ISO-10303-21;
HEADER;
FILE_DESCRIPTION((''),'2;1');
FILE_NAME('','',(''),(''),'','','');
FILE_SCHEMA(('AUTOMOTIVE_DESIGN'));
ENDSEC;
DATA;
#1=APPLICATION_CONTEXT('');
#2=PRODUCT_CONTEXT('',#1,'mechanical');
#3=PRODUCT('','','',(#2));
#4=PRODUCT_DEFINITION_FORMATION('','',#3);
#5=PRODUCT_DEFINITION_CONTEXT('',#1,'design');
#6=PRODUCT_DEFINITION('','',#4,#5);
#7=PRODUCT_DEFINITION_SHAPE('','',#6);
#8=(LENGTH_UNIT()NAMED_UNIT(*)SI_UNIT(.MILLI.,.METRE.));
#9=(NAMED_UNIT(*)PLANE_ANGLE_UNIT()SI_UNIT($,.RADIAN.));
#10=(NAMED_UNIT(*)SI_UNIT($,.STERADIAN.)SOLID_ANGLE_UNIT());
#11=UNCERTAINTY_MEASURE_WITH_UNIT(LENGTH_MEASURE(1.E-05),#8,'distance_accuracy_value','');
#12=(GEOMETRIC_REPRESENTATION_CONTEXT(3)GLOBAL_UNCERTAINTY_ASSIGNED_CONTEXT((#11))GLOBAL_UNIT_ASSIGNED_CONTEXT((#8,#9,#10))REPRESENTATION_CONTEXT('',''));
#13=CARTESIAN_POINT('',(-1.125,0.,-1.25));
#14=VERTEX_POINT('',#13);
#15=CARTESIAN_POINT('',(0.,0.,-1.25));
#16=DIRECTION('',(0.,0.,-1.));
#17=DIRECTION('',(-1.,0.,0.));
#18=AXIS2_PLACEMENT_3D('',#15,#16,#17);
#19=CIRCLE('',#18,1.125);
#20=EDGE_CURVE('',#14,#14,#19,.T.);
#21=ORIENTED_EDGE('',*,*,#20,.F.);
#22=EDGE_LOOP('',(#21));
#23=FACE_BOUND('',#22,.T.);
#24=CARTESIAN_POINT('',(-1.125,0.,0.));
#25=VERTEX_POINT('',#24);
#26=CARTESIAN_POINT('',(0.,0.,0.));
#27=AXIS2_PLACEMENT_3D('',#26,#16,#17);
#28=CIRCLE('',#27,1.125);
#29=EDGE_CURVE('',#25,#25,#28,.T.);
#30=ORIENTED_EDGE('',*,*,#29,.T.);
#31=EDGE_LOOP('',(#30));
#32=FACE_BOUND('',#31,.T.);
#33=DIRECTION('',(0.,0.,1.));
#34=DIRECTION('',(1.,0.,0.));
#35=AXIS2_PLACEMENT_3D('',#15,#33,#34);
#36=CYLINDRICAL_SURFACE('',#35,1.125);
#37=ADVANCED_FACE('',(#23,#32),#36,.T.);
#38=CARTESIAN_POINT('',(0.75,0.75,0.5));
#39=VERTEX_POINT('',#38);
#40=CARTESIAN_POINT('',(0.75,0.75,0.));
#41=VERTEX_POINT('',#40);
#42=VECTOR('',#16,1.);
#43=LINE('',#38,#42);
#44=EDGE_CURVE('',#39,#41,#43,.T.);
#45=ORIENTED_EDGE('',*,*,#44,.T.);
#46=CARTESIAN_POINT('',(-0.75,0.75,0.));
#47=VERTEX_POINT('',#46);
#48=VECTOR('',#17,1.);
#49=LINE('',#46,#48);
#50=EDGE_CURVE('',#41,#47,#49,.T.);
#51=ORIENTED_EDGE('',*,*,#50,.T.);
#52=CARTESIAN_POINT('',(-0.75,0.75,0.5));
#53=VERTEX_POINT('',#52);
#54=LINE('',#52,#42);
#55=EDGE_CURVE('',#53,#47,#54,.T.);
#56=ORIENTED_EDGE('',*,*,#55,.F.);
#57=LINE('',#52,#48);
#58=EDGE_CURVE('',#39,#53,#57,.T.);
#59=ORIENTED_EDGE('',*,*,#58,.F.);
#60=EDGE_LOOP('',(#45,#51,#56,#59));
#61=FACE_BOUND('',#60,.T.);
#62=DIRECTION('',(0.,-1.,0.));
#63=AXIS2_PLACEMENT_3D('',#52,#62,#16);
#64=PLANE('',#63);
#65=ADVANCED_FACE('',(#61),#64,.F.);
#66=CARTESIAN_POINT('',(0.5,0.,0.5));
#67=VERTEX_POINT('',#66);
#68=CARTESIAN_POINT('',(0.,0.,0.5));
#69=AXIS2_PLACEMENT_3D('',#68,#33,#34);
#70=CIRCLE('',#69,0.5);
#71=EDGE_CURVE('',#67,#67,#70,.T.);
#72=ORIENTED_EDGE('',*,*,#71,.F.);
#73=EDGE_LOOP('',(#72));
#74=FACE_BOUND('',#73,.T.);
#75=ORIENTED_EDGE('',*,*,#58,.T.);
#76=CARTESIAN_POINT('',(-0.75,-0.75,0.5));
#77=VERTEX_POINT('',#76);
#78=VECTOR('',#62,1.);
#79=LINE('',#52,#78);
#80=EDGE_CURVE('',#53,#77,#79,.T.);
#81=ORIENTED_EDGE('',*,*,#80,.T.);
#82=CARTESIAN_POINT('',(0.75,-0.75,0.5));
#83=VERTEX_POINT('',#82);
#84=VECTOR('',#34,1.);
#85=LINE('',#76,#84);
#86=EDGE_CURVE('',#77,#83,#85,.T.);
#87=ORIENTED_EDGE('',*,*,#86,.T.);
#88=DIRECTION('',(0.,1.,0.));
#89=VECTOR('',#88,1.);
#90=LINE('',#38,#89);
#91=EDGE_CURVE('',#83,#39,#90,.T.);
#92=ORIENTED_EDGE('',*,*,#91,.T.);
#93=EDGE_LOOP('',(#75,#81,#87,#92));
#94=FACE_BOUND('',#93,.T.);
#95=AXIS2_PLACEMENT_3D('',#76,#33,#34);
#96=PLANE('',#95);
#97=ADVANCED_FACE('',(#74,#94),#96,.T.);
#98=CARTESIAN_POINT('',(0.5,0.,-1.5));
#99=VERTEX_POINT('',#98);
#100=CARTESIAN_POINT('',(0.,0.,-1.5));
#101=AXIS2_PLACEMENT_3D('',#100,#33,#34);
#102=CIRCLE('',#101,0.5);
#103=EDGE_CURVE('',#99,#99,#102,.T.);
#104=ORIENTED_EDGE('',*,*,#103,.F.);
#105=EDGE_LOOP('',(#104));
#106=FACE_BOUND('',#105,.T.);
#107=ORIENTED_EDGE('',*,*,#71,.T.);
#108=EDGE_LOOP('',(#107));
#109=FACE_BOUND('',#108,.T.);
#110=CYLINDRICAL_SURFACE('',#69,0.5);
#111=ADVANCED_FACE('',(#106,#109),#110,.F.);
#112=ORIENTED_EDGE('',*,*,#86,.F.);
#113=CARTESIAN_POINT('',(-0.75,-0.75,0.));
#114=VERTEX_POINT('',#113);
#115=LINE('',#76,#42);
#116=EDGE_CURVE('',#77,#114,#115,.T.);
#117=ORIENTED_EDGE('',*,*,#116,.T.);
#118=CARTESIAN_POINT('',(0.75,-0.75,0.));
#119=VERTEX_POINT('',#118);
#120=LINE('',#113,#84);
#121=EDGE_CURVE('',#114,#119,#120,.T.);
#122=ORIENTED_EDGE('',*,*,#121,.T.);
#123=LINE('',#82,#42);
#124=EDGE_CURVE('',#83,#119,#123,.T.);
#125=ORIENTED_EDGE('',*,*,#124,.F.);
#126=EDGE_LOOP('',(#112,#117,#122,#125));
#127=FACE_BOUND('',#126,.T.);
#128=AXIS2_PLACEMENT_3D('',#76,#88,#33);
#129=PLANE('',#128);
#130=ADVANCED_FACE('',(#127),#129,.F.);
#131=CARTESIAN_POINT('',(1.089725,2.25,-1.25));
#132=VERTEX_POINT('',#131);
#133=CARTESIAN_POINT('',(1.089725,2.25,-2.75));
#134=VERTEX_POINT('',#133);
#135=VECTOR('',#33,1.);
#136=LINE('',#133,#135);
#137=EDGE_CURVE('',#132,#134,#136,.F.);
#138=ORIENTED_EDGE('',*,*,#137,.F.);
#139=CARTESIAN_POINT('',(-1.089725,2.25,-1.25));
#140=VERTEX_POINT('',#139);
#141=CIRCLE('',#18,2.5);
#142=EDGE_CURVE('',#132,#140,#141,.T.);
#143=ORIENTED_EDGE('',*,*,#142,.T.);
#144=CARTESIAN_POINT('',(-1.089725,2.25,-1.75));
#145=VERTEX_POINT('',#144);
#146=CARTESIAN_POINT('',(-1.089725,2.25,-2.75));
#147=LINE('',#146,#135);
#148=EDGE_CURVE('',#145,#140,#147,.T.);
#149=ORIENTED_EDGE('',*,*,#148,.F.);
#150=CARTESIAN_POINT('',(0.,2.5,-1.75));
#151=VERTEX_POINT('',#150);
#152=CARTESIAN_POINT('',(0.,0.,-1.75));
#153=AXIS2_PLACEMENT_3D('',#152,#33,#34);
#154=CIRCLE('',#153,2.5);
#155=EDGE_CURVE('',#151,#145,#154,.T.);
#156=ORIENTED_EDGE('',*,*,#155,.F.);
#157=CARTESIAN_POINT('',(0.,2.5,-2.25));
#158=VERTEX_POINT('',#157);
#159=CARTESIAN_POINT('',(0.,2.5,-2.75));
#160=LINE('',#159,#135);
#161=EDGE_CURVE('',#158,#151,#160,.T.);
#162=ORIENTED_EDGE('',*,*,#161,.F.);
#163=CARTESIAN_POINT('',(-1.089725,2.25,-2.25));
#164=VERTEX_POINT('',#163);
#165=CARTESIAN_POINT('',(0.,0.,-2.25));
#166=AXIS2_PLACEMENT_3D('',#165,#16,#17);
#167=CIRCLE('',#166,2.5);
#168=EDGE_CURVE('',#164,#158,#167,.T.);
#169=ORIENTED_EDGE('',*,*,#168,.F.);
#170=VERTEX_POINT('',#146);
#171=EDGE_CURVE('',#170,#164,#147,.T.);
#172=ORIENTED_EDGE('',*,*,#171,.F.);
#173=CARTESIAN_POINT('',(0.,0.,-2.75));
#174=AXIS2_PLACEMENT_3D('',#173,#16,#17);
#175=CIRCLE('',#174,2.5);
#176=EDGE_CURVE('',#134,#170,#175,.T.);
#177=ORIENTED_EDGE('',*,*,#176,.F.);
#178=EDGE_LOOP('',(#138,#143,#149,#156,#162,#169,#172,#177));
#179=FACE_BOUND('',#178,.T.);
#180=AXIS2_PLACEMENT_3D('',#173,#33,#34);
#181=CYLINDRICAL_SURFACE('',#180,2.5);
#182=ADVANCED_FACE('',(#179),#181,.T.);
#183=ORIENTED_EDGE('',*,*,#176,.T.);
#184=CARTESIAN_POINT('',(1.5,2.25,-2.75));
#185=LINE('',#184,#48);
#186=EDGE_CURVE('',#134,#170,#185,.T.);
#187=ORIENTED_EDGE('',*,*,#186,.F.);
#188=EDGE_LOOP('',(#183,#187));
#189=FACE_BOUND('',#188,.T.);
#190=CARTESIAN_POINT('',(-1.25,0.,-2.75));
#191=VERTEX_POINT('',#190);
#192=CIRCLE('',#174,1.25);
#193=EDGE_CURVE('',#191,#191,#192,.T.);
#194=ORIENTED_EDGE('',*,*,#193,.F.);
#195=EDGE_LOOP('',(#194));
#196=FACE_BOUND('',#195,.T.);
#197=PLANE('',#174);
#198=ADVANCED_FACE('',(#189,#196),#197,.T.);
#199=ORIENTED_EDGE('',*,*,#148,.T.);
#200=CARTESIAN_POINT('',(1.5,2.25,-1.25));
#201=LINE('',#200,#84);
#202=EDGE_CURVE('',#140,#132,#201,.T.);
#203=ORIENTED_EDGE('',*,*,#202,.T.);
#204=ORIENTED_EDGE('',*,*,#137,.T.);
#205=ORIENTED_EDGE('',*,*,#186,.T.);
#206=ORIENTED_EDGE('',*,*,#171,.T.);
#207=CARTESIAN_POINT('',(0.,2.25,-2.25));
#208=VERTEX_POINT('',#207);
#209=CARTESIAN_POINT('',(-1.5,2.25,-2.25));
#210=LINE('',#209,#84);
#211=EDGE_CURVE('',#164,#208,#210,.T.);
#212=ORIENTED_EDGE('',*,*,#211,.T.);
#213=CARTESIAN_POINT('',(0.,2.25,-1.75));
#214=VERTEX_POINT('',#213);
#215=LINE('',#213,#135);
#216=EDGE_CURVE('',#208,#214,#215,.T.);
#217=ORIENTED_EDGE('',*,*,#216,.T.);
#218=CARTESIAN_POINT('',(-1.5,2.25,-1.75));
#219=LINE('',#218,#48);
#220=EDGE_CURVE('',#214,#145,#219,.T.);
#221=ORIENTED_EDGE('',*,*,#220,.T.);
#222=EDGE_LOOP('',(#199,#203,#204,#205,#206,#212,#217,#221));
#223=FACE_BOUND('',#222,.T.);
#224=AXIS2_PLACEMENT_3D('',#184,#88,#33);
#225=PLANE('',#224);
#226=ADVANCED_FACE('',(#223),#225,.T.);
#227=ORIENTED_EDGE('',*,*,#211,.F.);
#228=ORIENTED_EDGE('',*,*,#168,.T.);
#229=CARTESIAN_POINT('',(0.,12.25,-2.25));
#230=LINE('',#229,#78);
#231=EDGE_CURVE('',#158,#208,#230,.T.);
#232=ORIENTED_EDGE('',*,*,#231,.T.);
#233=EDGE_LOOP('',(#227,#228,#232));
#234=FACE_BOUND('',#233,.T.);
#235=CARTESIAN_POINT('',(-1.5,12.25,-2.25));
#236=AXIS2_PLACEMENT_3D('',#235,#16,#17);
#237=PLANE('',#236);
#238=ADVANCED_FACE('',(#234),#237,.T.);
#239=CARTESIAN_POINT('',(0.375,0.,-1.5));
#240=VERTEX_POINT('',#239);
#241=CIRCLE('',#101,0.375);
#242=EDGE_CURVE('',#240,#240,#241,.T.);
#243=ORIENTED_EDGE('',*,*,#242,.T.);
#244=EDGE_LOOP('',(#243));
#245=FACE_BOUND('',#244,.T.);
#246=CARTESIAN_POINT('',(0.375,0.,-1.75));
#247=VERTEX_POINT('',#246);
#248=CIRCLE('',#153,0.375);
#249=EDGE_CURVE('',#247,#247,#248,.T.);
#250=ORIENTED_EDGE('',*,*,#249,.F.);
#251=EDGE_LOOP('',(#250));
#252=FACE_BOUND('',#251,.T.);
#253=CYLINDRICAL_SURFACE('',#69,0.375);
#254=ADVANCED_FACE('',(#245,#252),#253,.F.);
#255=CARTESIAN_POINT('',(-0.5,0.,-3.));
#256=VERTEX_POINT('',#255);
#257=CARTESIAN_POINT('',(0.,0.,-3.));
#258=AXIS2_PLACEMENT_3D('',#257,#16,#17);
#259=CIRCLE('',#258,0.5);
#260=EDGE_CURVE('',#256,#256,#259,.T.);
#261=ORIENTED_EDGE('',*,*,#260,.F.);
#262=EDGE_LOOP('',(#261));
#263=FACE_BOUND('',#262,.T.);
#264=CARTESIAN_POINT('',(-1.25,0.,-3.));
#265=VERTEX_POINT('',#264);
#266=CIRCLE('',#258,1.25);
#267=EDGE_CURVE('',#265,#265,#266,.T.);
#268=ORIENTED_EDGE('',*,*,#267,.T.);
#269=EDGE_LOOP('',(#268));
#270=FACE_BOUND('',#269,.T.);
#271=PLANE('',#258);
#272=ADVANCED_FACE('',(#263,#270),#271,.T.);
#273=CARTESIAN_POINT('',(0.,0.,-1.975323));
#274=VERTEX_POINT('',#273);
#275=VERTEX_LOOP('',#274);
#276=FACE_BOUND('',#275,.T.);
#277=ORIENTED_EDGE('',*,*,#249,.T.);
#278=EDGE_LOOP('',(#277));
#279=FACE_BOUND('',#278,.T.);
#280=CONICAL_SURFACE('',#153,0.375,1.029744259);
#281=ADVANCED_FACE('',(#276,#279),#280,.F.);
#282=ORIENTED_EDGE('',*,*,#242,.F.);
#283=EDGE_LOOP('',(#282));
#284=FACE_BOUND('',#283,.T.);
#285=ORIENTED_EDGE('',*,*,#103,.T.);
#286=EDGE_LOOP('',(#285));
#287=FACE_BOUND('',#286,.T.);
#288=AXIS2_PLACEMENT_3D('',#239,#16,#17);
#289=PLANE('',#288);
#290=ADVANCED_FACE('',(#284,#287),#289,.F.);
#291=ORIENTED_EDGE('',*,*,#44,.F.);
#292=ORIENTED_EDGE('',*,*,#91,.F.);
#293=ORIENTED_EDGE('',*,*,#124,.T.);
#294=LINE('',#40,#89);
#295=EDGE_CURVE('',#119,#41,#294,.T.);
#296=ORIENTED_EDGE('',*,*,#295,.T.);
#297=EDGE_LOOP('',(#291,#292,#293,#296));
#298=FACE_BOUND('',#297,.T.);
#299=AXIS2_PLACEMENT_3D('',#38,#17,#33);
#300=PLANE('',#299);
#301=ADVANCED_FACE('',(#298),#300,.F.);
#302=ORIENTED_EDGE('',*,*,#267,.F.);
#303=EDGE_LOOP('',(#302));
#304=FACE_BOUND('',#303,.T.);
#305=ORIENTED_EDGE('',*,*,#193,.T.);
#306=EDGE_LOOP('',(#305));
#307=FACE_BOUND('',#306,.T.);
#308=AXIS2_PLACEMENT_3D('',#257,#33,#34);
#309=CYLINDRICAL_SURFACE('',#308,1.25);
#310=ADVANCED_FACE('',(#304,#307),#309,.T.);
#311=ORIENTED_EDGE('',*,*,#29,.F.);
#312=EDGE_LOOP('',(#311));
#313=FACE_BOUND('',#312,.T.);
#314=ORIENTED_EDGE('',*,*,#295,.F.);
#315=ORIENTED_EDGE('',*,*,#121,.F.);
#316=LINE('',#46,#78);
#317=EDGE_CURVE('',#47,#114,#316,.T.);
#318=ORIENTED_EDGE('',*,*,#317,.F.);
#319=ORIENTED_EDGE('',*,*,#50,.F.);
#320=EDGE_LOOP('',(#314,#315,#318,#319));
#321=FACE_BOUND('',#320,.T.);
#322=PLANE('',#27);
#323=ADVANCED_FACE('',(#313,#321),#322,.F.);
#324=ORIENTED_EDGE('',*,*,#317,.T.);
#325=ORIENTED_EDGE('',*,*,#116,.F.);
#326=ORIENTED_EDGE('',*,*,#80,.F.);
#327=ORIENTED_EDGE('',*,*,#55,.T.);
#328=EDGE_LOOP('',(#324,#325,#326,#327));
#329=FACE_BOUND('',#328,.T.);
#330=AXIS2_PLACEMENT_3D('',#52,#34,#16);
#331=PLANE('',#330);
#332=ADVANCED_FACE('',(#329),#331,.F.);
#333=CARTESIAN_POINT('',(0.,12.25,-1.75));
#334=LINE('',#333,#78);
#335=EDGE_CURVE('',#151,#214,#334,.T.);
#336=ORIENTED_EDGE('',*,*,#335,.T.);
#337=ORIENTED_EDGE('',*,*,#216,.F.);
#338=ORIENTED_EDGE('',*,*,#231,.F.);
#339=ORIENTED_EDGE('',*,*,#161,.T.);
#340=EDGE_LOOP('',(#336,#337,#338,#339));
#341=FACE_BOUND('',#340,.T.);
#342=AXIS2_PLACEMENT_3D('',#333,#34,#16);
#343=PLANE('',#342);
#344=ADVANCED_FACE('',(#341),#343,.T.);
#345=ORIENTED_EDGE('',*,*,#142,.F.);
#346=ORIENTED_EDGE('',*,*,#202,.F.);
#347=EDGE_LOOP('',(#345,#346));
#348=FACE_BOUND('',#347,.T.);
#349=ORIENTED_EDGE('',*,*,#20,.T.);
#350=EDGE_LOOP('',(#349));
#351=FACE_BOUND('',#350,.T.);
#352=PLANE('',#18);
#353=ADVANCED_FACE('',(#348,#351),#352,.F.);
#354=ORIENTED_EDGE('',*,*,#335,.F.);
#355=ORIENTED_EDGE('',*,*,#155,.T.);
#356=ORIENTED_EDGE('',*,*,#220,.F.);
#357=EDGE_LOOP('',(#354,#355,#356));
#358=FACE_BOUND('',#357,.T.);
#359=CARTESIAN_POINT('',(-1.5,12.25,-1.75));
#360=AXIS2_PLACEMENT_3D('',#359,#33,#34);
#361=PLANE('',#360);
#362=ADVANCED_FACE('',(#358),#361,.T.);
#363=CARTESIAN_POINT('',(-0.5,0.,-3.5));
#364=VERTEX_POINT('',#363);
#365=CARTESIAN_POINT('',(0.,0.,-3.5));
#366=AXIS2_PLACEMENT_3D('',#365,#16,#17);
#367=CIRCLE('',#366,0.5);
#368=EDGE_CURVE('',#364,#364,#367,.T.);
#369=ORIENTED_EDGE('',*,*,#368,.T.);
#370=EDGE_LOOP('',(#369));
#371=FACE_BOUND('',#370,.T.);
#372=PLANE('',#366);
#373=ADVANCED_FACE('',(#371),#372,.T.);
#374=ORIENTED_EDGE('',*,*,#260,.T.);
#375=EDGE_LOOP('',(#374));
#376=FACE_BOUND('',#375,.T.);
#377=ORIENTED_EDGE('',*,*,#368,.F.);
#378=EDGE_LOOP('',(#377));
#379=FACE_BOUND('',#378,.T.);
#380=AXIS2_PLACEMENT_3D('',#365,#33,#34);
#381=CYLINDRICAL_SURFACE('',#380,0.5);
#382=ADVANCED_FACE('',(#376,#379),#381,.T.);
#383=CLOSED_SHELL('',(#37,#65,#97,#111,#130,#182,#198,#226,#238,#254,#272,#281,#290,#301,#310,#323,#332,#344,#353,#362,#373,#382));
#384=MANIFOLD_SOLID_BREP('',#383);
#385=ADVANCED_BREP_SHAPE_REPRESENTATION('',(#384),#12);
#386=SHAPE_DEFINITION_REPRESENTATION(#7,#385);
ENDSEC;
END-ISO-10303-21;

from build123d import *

# Parameters (mm, degrees)
CROQUIS1_W                           = 1.5
CROQUIS1_H                           = 1.5
SALIENTE_EXTRUIR1_DEPTH              = 0.5
CROQUIS2_R                           = 1.125
SALIENTE_EXTRUIR2_DEPTH              = 1.25
CROQUIS5_R                           = 2.5
SALIENTE_EXTRUIR5_DEPTH              = 1.5
CROQUIS6_R                           = 1.25
SALIENTE_EXTRUIR6_DEPTH              = 0.25
CROQUIS7_R                           = 0.5
SALIENTE_EXTRUIR7_DEPTH              = 0.5
CORTAR_EXTRUIR1_DEPTH                = 10
TALADRO_ROSCADO_M1X0_251_D           = 0.75
TALADRO_ROSCADO_M1X0_251_DEPTH       = 2.25
TALADRO_ROSCADO_M1X0_251_CBORE_D     = 1
TALADRO_ROSCADO_M1X0_251_CBORE_DEPTH = 2
TALADRO_ROSCADO_M1X0_251_TIP         = 0.225322732


with BuildPart() as part:
    # Croquis1 → Saliente-Extruir1 (new body)
    with BuildSketch(Plane.XY):
        Rectangle(CROQUIS1_W, CROQUIS1_H)
    extrude(amount=SALIENTE_EXTRUIR1_DEPTH)

    # Croquis2 → Saliente-Extruir2 (add)
    with BuildSketch(Plane(origin=(0, 0, 0), x_dir=(-1, 0, 0), z_dir=(0, 0, -1))):
        Circle(CROQUIS2_R)
    extrude(amount=SALIENTE_EXTRUIR2_DEPTH)

    # Croquis5 → Saliente-Extruir5 (add)
    with BuildSketch(Plane(origin=(0, 0, -1.25), x_dir=(-1, 0, 0), z_dir=(0, 0, -1))):
        Circle(CROQUIS5_R)
    extrude(amount=SALIENTE_EXTRUIR5_DEPTH)

    # Croquis6 → Saliente-Extruir6 (add)
    with BuildSketch(Plane(origin=(0, 0, -2.75), x_dir=(-1, 0, 0), z_dir=(0, 0, -1))):
        Circle(CROQUIS6_R)
    extrude(amount=SALIENTE_EXTRUIR6_DEPTH)

    # Croquis7 → Saliente-Extruir7 (add)
    with BuildSketch(Plane(origin=(0, 0, -3), x_dir=(-1, 0, 0), z_dir=(0, 0, -1))):
        Circle(CROQUIS7_R)
    extrude(amount=SALIENTE_EXTRUIR7_DEPTH)

    # Croquis11 → Cortar-Extruir1 (cut)
    with BuildSketch(Plane(origin=(0, 2.25, 0), x_dir=(-1, 0, 0), z_dir=(0, 1, 0))):
        Polygon((-1.5, -1.25), (1.5, -1.25), (1.5, -1.75), (0, -1.75), (0, -2.25), (1.5, -2.25), (1.5, -2.75), (-1.5, -2.75), align=None)
    extrude(amount=CORTAR_EXTRUIR1_DEPTH, mode=Mode.SUBTRACT)

    # Taladro roscado M1x0.251
    with Locations(Plane.XY.offset(0.5)):
        with Locations((0, 0)):
            CounterBoreHole(TALADRO_ROSCADO_M1X0_251_D / 2, TALADRO_ROSCADO_M1X0_251_CBORE_D / 2, TALADRO_ROSCADO_M1X0_251_CBORE_DEPTH, depth=TALADRO_ROSCADO_M1X0_251_DEPTH)
            with Locations((0, 0, -(TALADRO_ROSCADO_M1X0_251_DEPTH + TALADRO_ROSCADO_M1X0_251_TIP / 2))):  # 118° drill point
                Cone(0, TALADRO_ROSCADO_M1X0_251_D / 2, TALADRO_ROSCADO_M1X0_251_TIP, mode=Mode.SUBTRACT)


solid = part.part
